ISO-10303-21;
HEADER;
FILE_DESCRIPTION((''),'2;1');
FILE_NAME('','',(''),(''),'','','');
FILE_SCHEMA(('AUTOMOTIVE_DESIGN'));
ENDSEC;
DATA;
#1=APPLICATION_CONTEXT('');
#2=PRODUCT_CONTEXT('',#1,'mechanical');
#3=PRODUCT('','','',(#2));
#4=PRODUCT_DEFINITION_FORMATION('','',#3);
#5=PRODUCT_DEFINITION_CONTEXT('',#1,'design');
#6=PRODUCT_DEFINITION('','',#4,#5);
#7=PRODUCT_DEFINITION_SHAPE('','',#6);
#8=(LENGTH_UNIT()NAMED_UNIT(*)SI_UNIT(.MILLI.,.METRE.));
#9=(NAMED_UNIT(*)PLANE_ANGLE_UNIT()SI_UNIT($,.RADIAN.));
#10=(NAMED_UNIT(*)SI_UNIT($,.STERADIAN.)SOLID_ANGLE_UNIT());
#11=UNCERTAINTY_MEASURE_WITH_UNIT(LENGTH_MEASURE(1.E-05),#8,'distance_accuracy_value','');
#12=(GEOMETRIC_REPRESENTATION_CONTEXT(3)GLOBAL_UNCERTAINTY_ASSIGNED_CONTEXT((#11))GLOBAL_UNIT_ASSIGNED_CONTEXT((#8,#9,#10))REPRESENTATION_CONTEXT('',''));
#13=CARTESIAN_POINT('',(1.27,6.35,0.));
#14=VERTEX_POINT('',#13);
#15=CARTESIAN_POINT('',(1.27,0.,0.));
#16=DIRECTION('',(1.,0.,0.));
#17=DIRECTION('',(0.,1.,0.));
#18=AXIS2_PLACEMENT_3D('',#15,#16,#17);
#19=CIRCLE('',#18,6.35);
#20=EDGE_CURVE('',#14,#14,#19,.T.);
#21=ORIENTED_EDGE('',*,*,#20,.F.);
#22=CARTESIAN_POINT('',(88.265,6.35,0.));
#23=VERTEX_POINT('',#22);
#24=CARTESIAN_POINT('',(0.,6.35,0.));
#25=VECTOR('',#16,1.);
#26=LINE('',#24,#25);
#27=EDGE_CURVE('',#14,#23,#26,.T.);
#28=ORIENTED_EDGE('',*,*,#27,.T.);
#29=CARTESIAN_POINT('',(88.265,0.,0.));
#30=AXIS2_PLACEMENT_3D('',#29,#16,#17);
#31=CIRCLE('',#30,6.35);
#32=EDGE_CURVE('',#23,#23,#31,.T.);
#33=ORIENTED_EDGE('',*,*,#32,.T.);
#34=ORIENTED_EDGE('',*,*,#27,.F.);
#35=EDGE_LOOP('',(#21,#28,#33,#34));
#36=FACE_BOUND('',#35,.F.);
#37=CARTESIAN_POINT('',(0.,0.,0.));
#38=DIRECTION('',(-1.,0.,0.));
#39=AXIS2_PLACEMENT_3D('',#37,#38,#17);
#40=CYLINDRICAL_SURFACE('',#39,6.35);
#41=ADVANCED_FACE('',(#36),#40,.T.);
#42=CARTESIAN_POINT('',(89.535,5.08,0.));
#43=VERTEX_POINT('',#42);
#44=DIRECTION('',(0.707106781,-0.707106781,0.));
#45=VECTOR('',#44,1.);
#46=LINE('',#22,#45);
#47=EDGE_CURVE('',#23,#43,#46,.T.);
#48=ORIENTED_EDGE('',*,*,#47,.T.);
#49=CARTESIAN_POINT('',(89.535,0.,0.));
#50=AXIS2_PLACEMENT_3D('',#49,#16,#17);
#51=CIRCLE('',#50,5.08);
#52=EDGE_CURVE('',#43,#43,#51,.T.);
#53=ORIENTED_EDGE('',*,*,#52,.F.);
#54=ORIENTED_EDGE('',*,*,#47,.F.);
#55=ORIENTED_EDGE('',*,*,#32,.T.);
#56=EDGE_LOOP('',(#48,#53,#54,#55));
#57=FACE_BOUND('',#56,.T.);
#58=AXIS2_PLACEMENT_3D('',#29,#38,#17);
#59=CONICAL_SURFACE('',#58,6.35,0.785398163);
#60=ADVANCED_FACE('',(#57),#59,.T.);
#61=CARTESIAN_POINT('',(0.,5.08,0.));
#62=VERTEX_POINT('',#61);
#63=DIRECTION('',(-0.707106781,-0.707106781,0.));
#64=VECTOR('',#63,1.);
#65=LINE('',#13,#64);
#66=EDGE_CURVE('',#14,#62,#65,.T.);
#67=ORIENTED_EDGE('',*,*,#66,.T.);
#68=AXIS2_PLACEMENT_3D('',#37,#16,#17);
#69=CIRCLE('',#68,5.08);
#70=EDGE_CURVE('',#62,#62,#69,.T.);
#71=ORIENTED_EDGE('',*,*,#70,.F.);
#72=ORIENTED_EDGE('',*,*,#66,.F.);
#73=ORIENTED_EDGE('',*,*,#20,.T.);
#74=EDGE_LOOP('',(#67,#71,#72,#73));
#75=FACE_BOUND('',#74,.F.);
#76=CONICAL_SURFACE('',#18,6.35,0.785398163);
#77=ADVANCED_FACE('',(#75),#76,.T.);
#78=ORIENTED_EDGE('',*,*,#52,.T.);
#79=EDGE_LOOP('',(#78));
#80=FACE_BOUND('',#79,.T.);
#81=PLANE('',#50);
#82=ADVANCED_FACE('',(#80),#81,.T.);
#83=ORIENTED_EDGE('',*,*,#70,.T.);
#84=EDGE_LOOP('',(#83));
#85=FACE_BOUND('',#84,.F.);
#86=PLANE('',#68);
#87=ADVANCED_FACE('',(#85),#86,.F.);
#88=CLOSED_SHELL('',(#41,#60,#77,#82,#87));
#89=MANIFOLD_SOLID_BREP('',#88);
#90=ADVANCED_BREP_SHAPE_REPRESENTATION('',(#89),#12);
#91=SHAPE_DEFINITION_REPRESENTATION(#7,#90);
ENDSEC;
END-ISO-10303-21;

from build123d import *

# Parameters (mm, degrees)
F0_R     = 6.35
F1_DEPTH = 89.535
F2_SIZE  = 1.27


with BuildPart() as f1:
    # F0 (on Right) → F1 (new body)
    with BuildSketch(Plane.YZ):
        Circle(F0_R)
    extrude(amount=F1_DEPTH)

    # F2
    f2_edges = [f1.edges().sort_by_distance(p)[0] for p in [
        (44.7675, 6.35, 0),
        (0, -6.35, 0),
        (89.535, -6.35, 0),
    ]]
    chamfer(f2_edges, length=F2_SIZE)


solid = f1.part
